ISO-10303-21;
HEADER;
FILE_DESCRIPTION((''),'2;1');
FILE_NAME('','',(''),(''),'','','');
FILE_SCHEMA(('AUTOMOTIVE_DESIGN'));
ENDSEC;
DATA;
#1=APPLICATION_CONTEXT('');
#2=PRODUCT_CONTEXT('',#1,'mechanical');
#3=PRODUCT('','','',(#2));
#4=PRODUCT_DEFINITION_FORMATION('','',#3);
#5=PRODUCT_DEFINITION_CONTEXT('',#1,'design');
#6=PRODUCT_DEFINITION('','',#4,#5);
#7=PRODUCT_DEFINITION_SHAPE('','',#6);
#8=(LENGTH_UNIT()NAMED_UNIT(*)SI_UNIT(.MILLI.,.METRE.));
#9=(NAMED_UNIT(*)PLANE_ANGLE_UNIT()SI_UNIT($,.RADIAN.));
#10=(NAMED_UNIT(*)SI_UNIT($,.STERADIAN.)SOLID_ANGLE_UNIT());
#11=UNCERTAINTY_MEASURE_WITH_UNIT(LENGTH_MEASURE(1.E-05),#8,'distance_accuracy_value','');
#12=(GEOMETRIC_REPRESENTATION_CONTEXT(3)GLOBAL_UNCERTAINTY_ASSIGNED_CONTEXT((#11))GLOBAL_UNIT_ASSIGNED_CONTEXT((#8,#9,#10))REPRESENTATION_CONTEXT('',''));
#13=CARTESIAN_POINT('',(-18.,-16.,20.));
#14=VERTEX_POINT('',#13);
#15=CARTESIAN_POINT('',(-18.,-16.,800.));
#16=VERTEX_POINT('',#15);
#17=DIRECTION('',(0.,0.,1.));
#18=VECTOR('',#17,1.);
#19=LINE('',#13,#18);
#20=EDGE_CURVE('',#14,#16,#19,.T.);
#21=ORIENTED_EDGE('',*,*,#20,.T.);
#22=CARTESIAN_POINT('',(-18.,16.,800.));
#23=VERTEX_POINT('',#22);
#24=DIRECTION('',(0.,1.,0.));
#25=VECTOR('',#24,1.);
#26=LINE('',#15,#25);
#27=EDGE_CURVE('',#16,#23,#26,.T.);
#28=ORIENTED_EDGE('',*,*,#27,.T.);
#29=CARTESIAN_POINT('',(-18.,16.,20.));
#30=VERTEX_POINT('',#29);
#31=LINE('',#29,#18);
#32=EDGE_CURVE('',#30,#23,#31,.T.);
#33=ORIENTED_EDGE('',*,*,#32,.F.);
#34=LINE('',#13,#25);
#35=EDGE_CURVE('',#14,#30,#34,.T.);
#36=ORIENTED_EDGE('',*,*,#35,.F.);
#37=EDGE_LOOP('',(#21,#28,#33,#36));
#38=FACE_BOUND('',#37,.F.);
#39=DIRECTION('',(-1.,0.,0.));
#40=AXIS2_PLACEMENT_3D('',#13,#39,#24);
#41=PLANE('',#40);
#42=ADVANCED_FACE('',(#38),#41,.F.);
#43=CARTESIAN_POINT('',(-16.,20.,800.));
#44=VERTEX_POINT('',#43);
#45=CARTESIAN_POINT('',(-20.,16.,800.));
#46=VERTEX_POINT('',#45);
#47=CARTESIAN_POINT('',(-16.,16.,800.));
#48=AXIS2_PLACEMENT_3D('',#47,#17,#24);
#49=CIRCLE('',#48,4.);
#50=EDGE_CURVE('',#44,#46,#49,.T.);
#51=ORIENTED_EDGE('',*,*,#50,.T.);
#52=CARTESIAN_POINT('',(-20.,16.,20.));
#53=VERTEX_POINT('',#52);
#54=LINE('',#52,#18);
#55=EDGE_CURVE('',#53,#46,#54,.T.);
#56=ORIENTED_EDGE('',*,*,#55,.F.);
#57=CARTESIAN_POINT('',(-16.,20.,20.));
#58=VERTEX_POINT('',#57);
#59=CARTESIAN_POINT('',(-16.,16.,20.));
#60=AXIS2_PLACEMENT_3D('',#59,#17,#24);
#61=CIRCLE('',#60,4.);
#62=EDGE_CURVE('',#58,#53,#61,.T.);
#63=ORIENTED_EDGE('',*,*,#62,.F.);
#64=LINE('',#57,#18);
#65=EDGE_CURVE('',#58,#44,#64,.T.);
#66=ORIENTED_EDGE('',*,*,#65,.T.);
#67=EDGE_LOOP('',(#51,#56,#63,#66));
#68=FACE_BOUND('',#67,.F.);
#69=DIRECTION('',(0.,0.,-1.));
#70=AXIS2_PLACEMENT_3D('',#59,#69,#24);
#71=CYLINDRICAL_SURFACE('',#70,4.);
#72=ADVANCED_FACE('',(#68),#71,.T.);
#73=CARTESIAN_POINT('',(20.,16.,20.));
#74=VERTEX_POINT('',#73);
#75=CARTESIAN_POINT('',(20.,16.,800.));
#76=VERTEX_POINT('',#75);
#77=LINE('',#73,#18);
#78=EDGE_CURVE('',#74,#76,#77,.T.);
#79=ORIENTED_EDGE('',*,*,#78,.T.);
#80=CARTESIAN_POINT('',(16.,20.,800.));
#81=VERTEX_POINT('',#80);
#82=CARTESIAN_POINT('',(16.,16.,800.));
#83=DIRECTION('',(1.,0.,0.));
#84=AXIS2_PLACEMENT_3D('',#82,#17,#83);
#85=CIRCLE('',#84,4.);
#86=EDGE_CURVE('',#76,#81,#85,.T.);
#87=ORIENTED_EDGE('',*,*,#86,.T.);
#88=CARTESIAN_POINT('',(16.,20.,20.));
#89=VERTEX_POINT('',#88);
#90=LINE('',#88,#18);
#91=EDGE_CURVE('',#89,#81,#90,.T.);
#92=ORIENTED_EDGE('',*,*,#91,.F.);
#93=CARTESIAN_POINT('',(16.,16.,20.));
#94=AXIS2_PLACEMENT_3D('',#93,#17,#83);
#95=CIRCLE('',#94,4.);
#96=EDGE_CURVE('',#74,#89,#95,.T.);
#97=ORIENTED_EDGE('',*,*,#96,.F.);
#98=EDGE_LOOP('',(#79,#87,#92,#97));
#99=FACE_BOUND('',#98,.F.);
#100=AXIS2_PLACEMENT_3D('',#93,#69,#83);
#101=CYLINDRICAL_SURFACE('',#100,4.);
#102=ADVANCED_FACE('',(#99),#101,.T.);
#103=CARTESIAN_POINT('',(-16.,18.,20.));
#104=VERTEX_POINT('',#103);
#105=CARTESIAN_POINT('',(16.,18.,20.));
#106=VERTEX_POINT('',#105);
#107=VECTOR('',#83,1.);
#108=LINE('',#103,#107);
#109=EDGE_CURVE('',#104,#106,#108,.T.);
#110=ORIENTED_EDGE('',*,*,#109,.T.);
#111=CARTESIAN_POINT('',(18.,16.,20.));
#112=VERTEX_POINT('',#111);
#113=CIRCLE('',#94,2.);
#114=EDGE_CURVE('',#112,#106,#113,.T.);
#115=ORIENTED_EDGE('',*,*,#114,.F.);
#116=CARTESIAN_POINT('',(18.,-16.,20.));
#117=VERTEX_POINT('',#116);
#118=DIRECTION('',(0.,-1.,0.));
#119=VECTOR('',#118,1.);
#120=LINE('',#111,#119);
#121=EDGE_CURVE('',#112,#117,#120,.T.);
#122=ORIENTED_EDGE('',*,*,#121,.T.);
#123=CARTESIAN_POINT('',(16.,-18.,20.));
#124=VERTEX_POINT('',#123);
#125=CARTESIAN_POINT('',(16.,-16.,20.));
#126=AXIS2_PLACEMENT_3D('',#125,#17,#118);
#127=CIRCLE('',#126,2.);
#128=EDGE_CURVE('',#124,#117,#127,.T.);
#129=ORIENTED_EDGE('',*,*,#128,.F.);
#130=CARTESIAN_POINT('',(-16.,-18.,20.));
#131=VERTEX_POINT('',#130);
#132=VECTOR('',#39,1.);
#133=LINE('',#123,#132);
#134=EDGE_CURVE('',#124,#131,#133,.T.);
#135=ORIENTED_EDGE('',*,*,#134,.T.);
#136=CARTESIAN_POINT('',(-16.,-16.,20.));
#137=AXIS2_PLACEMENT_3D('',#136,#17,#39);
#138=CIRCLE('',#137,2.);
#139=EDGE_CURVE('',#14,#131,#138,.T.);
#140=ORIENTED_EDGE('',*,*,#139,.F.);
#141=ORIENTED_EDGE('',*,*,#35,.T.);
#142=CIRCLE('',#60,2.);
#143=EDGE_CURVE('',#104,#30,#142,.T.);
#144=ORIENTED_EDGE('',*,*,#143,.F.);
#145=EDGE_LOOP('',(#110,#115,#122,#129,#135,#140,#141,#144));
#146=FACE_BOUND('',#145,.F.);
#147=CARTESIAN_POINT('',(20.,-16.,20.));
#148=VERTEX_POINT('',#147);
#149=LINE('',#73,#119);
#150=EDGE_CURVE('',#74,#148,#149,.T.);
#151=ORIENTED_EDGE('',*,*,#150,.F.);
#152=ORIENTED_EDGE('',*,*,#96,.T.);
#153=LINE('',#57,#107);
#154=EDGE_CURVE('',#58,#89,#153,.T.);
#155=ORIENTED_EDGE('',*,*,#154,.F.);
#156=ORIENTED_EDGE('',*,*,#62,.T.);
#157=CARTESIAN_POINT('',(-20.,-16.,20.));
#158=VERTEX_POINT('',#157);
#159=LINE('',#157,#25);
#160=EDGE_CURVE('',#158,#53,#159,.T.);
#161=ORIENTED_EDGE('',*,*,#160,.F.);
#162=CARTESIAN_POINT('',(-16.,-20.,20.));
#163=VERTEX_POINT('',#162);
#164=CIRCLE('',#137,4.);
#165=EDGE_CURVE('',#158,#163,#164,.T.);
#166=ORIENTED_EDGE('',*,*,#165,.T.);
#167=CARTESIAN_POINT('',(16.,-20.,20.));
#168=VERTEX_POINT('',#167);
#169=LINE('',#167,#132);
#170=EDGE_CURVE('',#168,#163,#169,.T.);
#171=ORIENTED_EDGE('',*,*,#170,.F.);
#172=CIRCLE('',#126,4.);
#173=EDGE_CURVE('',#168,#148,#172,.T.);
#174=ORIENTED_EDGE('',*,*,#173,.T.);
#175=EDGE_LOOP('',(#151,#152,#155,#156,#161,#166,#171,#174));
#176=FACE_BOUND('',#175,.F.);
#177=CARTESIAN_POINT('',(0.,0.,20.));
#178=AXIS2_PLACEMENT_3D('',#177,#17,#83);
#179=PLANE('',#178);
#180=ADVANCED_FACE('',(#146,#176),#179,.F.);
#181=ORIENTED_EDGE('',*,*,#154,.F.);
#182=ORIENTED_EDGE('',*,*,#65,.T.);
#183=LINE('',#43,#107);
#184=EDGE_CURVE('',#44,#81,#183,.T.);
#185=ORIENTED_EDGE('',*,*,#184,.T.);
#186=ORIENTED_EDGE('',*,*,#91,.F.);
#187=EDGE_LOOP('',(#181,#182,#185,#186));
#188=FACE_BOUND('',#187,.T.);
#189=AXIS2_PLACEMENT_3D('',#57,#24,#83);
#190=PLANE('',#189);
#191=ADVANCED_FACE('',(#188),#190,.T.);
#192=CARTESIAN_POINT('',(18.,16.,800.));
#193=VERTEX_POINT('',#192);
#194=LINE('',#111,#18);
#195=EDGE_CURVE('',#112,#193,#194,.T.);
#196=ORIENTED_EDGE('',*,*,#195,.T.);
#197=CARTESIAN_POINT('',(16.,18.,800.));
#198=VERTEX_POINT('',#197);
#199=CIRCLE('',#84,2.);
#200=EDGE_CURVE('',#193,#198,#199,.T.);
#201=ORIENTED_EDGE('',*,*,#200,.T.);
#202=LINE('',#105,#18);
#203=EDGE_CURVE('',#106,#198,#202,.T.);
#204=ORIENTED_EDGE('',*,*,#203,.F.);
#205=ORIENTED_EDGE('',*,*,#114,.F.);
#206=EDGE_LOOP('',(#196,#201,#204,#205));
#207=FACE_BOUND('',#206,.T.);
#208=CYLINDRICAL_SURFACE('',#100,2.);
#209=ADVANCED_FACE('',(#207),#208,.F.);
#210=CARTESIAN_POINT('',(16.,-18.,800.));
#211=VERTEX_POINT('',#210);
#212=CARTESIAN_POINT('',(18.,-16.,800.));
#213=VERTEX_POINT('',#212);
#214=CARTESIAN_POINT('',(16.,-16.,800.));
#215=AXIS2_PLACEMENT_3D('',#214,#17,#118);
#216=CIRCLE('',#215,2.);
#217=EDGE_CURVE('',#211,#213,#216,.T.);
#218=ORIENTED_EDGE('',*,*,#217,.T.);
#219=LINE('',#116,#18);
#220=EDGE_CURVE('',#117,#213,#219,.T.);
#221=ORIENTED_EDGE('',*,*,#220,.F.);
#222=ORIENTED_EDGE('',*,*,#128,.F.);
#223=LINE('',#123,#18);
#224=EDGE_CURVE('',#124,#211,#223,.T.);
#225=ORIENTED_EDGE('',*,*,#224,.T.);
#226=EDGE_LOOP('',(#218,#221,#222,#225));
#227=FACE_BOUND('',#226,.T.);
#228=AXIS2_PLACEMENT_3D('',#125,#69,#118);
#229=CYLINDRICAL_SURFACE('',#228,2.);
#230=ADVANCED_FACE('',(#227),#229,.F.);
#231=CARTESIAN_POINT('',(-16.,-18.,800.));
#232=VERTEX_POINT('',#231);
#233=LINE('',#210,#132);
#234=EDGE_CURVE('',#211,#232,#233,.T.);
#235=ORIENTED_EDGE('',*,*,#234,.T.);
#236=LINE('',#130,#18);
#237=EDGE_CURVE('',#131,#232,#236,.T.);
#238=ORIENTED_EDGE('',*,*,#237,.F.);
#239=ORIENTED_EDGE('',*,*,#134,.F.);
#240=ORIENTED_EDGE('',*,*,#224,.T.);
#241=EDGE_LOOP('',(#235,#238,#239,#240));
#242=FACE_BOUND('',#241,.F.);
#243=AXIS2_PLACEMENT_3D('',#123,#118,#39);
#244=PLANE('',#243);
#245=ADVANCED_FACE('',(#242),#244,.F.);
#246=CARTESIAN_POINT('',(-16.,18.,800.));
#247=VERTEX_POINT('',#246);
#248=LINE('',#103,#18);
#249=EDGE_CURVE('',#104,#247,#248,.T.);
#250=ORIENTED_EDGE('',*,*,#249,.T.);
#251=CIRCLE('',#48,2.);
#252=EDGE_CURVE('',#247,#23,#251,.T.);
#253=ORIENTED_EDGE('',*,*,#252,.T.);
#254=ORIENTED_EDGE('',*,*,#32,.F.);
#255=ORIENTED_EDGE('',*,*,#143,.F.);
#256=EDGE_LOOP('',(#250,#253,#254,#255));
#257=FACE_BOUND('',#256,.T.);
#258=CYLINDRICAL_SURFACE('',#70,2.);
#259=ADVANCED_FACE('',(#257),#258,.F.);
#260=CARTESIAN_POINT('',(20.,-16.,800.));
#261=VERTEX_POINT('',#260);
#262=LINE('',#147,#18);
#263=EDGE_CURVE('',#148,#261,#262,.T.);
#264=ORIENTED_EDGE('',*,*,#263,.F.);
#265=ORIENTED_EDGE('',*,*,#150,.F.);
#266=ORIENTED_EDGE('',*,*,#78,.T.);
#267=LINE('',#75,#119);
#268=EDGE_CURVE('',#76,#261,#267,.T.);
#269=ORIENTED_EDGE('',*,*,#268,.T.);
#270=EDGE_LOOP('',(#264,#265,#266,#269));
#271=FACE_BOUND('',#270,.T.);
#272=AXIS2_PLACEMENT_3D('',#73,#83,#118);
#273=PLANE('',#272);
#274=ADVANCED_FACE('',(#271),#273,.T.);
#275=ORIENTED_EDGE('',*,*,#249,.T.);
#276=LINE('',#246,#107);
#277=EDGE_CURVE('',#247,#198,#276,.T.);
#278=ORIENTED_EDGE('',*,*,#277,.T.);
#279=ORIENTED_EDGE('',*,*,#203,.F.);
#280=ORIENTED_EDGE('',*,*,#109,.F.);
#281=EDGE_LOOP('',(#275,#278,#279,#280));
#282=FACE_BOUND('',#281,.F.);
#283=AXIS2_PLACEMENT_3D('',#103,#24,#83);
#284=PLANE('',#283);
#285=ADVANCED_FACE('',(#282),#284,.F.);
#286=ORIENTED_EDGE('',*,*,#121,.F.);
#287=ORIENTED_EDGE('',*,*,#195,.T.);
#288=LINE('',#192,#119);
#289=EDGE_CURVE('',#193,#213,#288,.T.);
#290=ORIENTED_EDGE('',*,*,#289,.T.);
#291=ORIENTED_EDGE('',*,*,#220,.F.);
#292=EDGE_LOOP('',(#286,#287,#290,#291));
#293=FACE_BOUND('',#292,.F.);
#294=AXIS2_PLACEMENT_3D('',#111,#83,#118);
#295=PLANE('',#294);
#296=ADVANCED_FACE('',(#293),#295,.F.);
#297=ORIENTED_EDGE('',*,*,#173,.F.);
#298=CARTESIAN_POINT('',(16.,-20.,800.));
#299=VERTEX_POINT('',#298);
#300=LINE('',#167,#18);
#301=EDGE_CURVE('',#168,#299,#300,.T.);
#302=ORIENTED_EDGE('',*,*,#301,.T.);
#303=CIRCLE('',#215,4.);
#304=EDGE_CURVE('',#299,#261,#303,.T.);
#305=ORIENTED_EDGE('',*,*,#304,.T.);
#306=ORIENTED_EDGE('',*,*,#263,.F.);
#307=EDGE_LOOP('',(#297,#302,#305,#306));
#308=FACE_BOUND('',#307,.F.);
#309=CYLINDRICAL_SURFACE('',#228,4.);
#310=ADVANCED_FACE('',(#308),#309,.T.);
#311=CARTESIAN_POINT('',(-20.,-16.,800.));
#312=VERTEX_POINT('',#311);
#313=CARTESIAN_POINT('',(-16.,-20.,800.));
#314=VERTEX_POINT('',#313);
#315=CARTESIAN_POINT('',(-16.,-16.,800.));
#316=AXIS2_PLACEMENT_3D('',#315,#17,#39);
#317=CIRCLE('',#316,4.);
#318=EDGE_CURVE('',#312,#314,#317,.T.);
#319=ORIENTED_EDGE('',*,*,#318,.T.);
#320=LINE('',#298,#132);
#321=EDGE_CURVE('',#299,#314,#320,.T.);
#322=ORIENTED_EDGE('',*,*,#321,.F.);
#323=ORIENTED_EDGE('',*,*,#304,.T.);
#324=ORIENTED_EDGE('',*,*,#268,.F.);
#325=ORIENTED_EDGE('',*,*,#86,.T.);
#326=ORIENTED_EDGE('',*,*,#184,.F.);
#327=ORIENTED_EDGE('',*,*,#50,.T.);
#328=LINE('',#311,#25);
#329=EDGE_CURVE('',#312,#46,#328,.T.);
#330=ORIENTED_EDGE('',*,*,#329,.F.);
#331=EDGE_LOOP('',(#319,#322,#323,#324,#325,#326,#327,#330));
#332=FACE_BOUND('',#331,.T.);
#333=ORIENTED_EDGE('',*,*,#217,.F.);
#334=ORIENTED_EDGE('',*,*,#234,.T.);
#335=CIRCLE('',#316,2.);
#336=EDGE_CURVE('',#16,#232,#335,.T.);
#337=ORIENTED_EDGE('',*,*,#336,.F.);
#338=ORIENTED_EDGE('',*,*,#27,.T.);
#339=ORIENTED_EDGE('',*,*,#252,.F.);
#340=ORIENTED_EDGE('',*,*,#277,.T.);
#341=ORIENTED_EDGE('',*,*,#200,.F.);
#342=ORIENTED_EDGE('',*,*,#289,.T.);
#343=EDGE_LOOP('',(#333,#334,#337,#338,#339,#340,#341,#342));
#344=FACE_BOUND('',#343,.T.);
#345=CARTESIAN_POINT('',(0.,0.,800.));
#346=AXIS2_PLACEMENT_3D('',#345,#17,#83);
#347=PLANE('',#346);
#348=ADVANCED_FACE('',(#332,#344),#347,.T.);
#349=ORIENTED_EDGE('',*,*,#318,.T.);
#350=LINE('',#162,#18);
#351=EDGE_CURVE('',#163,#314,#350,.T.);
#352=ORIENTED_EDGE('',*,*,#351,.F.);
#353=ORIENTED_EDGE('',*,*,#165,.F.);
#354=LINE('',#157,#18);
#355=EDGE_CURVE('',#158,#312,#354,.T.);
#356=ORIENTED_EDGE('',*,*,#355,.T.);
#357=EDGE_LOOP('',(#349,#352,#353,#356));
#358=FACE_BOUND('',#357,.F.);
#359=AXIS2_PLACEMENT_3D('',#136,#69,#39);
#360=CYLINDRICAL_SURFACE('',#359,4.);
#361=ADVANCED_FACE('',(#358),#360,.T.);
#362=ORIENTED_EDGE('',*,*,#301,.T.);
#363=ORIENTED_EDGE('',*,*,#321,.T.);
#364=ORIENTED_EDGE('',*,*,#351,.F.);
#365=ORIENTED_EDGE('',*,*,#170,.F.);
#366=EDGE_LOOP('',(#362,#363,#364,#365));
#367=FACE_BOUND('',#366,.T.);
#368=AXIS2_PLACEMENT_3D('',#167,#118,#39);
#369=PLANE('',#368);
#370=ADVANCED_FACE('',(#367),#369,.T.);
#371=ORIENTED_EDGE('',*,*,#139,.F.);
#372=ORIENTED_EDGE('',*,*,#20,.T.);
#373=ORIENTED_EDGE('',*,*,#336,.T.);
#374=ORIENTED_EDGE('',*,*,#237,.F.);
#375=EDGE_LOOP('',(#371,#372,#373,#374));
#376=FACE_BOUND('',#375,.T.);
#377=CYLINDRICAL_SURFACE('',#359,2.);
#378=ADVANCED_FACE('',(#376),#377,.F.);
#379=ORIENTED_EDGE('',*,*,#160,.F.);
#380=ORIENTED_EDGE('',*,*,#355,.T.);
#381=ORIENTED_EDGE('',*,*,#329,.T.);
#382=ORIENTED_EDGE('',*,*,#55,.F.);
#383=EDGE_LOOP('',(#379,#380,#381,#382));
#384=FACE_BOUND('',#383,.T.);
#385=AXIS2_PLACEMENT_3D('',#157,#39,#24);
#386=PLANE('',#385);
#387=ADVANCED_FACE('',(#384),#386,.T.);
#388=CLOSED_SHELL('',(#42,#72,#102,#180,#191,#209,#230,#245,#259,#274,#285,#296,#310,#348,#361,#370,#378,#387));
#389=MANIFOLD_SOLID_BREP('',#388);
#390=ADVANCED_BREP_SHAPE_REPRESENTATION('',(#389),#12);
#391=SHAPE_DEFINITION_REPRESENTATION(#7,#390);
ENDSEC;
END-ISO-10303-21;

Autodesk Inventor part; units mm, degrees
ref_plane "Start Plane" through (0, 0, 20) normal (0, 0, 1) x (1, 0, 0)
ref_plane "End Plane" through (0, 0, 800) normal (0, 0, 1) x (1, 0, 0)
sketch "Sketch" plane through (0, 0, 0) normal (0, 0, 1) x (1, 0, 0)
  line L0 (-20, -16) -> (-20, 16)
  line L1 (-16, 20) -> (16, 20)
  line L2 (20, 16) -> (20, -16)
  line L3 (16, -20) -> (-16, -20)
  arc A0 (-20, -16) -> (-16, -20) centre (-16, -16) ccw
  arc A1 (20, 16) -> (16, 20) centre (16, 16) ccw
  arc A2 (-16, 20) -> (-20, 16) centre (-16, 16) ccw
  arc A3 (16, -20) -> (20, -16) centre (16, -16) ccw
  arc A4 (-16, 18) -> (-18, 16) centre (-16, 16) ccw
  line L4 (-16, 18) -> (16, 18)
  arc A5 (18, 16) -> (16, 18) centre (16, 16) ccw
  line L5 (18, 16) -> (18, -16)
  arc A6 (16, -18) -> (18, -16) centre (16, -16) ccw
  line L6 (16, -18) -> (-16, -18)
  arc A7 (-18, -16) -> (-16, -18) centre (-16, -16) ccw
  line L7 (-18, -16) -> (-18, 16)
  line L8 (0, 29.1598) -> (0, -29.1598) construction
  line L9 (-29.1598, 0) -> (29.1598, 0) construction
  dimension "d7" = 4
  dimension "d9" = 40
  dimension "d11" = 40
  dimension "d12" = 2
  dimension "d15" = 20
  dimension "d16" = 20
extrude "Body" add sketch "Sketch" along normal up to surface (780 mm away) from surface at 20
sketch "Sketch3" plane through (0, 0, 0) normal (0, 0, 1) x (1, 0, 0)
  line L0 (0, 0) -> (10, 0)
ref_plane "Work Plane3" through (0, 0, 0) normal (0, -1, 0) x (1, 0, 0)
sketch "Sketch4" plane through (0, 0, 0) normal (0, -1, 0) x (1, 0, 0)
  line L0 (-2, 20) -> (12, 20)
  line L1 (-2, 800) -> (12, 800)
  dimension "d18" = 780
ref_plane "Work Plane4" through (592, 332.5538, 20) normal (0, 0, -1) x (-1, 0, 0)
split "Split1" plane through (592, 332.5538, 20) removes the side toward (0, 0, -1)
equation "\"d7\" = G_IR"
equation "\"d9\" = G_W"
equation "\"d11\" = G_H"
equation "\"d12\" = G_T"
equation "\"d15\" = 0.5 * d9"
equation "\"d16\" = 0.5 * d11"
equation "\"d3\" = G_L"
equation "\"G_W\" = 40"
equation "\"G_H\" = 40"
equation "\"G_T\" = 2"
equation "\"G_IR\" = 4"
equation "\"G_L\" = d18"
equation "\"G_OFFSET_END\" = 0"
properties part number "ISO 10799-2 - 40x40x2 - 780" material "Steel, Mild"
